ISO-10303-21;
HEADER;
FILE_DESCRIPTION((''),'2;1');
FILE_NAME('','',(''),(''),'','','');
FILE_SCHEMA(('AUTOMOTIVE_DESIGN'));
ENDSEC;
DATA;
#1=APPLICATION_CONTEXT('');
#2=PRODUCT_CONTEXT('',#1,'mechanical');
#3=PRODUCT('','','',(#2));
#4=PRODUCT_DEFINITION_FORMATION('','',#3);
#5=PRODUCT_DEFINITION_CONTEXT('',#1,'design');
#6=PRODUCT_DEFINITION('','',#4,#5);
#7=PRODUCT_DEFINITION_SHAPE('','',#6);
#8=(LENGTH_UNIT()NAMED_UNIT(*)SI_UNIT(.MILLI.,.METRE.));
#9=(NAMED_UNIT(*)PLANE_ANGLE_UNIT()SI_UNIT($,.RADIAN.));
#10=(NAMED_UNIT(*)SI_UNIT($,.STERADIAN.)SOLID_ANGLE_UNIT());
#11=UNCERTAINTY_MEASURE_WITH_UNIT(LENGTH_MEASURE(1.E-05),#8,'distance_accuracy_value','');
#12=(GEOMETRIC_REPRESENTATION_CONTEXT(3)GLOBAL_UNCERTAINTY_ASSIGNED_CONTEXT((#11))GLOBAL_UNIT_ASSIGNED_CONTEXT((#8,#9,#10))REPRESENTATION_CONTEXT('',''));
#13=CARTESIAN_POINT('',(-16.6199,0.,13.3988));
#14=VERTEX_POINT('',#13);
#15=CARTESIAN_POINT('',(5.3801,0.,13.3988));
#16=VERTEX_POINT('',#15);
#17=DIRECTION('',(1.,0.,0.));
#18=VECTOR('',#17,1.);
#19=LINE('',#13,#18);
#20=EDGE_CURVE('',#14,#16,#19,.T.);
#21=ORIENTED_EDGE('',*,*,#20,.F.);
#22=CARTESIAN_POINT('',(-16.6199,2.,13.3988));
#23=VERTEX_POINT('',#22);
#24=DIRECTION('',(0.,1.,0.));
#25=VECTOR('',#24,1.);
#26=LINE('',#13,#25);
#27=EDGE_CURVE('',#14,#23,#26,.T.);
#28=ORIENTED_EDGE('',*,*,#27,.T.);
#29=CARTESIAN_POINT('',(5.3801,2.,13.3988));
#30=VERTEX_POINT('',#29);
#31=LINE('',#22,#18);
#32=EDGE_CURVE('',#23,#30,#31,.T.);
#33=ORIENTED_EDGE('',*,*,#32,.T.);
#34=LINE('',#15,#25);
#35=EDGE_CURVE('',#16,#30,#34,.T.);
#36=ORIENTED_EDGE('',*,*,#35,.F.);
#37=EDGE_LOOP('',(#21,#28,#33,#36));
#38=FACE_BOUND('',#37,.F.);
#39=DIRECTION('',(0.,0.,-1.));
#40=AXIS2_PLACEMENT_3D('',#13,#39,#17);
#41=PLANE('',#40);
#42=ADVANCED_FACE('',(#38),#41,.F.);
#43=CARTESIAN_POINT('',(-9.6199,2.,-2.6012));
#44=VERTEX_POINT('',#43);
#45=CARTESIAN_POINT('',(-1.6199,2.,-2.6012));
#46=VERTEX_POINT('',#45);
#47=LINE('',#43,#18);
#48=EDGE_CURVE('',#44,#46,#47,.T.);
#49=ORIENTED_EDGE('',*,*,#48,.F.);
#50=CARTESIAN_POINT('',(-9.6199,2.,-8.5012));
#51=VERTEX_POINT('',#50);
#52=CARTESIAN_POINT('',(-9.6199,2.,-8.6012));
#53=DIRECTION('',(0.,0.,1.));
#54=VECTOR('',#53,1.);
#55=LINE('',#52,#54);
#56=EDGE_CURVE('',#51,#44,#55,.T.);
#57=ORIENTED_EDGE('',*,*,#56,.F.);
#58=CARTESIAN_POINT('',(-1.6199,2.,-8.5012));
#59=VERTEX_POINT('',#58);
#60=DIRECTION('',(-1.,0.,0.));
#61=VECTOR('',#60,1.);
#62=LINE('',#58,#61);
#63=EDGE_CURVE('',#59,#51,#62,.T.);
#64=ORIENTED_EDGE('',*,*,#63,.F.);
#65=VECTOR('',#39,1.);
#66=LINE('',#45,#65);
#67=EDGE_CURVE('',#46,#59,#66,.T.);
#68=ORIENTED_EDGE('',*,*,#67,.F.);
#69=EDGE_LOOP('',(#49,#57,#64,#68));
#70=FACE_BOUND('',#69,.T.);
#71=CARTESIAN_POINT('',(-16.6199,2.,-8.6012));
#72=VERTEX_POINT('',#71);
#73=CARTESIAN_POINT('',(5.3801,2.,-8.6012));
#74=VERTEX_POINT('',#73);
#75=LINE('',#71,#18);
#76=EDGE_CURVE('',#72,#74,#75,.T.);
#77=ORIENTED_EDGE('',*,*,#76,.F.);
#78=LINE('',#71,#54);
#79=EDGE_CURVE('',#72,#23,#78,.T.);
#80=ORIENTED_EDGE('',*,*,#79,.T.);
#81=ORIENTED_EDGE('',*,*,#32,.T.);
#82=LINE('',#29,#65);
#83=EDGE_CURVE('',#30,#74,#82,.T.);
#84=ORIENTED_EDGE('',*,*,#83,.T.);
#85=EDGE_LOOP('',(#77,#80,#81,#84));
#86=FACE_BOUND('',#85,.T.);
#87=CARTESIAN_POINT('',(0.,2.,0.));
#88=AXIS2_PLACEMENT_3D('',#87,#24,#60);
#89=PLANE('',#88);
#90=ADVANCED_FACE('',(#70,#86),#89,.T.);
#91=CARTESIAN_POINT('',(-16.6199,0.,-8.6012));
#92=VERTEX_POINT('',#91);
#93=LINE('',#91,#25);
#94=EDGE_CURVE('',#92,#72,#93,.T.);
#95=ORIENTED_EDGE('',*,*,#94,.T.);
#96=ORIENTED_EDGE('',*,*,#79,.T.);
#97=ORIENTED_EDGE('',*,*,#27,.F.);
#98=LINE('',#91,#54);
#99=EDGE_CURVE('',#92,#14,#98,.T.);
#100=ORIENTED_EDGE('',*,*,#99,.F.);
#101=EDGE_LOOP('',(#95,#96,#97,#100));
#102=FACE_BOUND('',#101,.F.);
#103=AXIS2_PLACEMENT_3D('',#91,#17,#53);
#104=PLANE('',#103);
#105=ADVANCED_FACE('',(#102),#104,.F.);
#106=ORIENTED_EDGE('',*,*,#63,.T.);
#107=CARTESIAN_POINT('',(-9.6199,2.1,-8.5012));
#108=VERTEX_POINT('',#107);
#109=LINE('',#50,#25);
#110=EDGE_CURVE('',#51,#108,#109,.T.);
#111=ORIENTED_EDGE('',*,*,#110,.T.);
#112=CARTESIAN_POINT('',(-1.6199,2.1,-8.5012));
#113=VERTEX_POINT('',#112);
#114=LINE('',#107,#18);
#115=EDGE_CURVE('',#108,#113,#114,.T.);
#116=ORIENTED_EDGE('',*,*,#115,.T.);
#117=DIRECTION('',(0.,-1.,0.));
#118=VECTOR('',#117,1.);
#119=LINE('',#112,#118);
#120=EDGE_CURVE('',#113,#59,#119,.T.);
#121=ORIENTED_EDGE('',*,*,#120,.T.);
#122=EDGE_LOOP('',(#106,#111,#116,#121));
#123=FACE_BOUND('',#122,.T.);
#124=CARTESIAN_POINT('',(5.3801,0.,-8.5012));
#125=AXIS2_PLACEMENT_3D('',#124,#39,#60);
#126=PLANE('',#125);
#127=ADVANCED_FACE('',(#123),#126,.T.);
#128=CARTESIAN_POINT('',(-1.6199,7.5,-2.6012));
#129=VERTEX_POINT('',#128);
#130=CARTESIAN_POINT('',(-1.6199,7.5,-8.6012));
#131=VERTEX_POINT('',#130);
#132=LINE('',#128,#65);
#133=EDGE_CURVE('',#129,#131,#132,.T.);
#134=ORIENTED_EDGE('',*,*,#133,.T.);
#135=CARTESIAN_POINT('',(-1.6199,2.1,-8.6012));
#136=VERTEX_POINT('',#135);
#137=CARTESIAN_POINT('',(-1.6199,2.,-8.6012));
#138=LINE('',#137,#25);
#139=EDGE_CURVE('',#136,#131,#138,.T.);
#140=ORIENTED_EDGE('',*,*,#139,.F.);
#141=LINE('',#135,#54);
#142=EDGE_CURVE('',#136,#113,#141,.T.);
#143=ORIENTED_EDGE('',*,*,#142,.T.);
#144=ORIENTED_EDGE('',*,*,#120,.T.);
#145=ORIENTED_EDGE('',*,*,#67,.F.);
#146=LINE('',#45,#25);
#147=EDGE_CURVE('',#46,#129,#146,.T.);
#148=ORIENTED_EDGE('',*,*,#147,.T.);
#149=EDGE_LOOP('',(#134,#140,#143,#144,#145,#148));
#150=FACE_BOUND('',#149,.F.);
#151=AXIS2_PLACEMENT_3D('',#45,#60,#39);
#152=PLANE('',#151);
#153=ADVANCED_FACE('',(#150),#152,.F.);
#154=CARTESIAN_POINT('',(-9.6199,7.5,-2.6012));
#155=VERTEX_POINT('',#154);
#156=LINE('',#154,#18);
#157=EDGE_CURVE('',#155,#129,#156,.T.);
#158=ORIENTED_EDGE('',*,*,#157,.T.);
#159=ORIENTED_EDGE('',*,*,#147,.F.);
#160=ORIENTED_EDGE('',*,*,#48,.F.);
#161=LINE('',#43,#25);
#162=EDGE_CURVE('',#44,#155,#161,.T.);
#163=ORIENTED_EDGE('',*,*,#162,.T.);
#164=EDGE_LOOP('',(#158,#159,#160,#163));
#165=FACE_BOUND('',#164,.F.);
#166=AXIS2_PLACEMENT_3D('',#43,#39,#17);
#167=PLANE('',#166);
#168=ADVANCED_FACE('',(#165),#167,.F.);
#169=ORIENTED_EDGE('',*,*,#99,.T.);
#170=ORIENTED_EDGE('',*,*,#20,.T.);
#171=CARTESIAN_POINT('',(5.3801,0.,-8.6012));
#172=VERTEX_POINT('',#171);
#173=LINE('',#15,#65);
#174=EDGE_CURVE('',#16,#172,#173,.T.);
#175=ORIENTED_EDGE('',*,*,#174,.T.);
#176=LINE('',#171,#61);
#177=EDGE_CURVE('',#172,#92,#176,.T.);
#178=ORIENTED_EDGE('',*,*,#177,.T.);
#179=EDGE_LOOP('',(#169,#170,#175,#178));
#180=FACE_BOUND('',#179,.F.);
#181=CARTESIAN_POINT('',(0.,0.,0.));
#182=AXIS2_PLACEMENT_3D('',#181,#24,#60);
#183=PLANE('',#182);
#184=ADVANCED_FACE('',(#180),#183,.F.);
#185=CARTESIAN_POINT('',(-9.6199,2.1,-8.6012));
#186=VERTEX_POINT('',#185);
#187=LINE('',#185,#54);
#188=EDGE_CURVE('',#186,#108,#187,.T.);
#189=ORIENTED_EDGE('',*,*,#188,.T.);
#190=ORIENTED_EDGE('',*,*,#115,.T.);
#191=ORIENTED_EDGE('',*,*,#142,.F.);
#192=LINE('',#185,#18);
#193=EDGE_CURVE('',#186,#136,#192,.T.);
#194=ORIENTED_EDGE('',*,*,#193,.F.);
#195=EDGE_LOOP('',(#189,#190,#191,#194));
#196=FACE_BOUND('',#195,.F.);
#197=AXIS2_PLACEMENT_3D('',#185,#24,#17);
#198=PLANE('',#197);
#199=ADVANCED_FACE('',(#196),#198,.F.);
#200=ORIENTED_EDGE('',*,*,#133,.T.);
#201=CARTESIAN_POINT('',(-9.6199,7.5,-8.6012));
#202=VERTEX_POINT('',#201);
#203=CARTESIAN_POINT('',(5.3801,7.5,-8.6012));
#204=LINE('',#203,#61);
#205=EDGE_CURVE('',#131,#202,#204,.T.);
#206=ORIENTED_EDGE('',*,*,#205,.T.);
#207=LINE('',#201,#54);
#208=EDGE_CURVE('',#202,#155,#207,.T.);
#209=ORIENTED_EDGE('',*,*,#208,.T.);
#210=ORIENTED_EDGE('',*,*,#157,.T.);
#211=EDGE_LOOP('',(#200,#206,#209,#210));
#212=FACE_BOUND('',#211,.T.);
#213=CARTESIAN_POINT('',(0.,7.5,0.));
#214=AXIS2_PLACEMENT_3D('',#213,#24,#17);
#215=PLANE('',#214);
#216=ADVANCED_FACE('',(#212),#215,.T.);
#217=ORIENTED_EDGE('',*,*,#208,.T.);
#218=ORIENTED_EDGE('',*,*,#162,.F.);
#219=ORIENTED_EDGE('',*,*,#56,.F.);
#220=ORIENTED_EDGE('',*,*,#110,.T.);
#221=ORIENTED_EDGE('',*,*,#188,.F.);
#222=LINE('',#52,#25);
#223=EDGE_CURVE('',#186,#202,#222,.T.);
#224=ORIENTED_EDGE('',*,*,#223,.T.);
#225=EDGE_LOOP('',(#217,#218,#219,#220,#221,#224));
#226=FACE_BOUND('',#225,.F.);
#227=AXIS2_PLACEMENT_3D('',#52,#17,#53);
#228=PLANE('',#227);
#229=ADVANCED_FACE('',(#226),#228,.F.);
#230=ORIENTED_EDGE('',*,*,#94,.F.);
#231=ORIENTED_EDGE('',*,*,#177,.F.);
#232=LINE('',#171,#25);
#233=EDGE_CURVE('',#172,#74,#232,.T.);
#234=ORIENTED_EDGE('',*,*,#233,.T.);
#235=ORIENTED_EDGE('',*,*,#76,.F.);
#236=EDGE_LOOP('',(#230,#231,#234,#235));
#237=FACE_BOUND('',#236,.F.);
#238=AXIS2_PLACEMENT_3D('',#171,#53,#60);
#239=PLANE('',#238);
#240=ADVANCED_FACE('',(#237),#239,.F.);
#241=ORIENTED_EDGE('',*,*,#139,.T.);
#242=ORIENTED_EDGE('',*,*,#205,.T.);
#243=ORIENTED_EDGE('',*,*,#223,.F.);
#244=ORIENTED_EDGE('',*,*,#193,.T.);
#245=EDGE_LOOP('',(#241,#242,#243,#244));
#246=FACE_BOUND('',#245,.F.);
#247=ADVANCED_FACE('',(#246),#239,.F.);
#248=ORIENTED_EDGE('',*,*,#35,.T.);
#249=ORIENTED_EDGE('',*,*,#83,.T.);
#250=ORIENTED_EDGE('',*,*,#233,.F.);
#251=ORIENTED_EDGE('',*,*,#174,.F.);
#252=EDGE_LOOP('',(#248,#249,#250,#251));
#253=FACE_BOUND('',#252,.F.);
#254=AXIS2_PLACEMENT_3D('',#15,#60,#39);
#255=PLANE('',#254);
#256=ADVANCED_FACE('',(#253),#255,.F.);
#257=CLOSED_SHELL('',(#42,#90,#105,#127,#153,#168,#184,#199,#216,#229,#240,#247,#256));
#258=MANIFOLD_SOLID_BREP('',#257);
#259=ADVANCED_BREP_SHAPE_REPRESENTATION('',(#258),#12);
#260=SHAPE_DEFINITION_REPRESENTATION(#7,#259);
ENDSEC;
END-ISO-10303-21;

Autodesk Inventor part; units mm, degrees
ref_plane "YZ Plane" through (0, 0, 0) normal (1, 0, 0) x (0, 1, 0)
ref_plane "XZ Plane" through (0, 0, 0) normal (0, 1, 0) x (-1, 0, 0)
ref_plane "XY Plane" through (0, 0, 0) normal (0, 0, 1) x (1, 0, 0)
sketch "Sketch1" plane through (0, 0, 0) normal (0, 1, 0) x (-1, 0, 0)
  line L0 (16.6199, 13.3988) -> (-5.3801, 13.3988)
  line L1 (-5.3801, 13.3988) -> (-5.3801, -8.6012)
  line L2 (-5.3801, -8.6012) -> (16.6199, -8.6012)
  line L3 (16.6199, -8.6012) -> (16.6199, 13.3988)
  point P0 (0, 0)
  dimension "d0" = 22
  dimension "d1" = 22
extrude "Extrusion1" add sketch "Sketch1" along normal blind 2
sketch "Sketch2" plane through (0, 2, 0) normal (0, 1, 0) x (1, 0, 0)
  line L0 (5.3801, 8.6012) -> (-16.6199, 8.6012) projected
  line L1 (-1.6199, 8.6012) -> (-9.6199, 8.6012)
  line L2 (-9.6199, 8.6012) -> (-9.6199, 2.6012)
  line L3 (-9.6199, 2.6012) -> (-1.6199, 2.6012)
  line L4 (-1.6199, 2.6012) -> (-1.6199, 8.6012)
  line L5 (-16.6199, 8.6012) -> (-16.6199, -13.3988) projected
  line L6 (5.3801, -13.3988) -> (5.3801, 8.6012) projected
  point P0 (0, 0)
  dimension "d4" = 8
  dimension "d5" = 7
  dimension "d6" = 7
  dimension "d7" = 6
extrude "Extrusion2" add sketch "Sketch2" along normal blind 5.5
sketch "Sketch3" plane through (5.3801, 0, -8.6012) normal (0, 0, -1) x (-1, 0, 0)
  line L0 (7, 2) -> (15, 2) projected
  line L1 (15, 2) -> (15, 7.5) projected
  line L2 (7, 2) -> (15, 2)
  line L3 (15, 2) -> (15, 2.1)
  line L4 (15, 2.1) -> (7, 2.1)
  line L5 (7, 2.1) -> (7, 2)
  point P0 (5.3801, 0)
  dimension "d10" = 0.1
extrude "Extrusion3" cut sketch "Sketch3" against normal blind 0.1
properties part number "battery connector"
